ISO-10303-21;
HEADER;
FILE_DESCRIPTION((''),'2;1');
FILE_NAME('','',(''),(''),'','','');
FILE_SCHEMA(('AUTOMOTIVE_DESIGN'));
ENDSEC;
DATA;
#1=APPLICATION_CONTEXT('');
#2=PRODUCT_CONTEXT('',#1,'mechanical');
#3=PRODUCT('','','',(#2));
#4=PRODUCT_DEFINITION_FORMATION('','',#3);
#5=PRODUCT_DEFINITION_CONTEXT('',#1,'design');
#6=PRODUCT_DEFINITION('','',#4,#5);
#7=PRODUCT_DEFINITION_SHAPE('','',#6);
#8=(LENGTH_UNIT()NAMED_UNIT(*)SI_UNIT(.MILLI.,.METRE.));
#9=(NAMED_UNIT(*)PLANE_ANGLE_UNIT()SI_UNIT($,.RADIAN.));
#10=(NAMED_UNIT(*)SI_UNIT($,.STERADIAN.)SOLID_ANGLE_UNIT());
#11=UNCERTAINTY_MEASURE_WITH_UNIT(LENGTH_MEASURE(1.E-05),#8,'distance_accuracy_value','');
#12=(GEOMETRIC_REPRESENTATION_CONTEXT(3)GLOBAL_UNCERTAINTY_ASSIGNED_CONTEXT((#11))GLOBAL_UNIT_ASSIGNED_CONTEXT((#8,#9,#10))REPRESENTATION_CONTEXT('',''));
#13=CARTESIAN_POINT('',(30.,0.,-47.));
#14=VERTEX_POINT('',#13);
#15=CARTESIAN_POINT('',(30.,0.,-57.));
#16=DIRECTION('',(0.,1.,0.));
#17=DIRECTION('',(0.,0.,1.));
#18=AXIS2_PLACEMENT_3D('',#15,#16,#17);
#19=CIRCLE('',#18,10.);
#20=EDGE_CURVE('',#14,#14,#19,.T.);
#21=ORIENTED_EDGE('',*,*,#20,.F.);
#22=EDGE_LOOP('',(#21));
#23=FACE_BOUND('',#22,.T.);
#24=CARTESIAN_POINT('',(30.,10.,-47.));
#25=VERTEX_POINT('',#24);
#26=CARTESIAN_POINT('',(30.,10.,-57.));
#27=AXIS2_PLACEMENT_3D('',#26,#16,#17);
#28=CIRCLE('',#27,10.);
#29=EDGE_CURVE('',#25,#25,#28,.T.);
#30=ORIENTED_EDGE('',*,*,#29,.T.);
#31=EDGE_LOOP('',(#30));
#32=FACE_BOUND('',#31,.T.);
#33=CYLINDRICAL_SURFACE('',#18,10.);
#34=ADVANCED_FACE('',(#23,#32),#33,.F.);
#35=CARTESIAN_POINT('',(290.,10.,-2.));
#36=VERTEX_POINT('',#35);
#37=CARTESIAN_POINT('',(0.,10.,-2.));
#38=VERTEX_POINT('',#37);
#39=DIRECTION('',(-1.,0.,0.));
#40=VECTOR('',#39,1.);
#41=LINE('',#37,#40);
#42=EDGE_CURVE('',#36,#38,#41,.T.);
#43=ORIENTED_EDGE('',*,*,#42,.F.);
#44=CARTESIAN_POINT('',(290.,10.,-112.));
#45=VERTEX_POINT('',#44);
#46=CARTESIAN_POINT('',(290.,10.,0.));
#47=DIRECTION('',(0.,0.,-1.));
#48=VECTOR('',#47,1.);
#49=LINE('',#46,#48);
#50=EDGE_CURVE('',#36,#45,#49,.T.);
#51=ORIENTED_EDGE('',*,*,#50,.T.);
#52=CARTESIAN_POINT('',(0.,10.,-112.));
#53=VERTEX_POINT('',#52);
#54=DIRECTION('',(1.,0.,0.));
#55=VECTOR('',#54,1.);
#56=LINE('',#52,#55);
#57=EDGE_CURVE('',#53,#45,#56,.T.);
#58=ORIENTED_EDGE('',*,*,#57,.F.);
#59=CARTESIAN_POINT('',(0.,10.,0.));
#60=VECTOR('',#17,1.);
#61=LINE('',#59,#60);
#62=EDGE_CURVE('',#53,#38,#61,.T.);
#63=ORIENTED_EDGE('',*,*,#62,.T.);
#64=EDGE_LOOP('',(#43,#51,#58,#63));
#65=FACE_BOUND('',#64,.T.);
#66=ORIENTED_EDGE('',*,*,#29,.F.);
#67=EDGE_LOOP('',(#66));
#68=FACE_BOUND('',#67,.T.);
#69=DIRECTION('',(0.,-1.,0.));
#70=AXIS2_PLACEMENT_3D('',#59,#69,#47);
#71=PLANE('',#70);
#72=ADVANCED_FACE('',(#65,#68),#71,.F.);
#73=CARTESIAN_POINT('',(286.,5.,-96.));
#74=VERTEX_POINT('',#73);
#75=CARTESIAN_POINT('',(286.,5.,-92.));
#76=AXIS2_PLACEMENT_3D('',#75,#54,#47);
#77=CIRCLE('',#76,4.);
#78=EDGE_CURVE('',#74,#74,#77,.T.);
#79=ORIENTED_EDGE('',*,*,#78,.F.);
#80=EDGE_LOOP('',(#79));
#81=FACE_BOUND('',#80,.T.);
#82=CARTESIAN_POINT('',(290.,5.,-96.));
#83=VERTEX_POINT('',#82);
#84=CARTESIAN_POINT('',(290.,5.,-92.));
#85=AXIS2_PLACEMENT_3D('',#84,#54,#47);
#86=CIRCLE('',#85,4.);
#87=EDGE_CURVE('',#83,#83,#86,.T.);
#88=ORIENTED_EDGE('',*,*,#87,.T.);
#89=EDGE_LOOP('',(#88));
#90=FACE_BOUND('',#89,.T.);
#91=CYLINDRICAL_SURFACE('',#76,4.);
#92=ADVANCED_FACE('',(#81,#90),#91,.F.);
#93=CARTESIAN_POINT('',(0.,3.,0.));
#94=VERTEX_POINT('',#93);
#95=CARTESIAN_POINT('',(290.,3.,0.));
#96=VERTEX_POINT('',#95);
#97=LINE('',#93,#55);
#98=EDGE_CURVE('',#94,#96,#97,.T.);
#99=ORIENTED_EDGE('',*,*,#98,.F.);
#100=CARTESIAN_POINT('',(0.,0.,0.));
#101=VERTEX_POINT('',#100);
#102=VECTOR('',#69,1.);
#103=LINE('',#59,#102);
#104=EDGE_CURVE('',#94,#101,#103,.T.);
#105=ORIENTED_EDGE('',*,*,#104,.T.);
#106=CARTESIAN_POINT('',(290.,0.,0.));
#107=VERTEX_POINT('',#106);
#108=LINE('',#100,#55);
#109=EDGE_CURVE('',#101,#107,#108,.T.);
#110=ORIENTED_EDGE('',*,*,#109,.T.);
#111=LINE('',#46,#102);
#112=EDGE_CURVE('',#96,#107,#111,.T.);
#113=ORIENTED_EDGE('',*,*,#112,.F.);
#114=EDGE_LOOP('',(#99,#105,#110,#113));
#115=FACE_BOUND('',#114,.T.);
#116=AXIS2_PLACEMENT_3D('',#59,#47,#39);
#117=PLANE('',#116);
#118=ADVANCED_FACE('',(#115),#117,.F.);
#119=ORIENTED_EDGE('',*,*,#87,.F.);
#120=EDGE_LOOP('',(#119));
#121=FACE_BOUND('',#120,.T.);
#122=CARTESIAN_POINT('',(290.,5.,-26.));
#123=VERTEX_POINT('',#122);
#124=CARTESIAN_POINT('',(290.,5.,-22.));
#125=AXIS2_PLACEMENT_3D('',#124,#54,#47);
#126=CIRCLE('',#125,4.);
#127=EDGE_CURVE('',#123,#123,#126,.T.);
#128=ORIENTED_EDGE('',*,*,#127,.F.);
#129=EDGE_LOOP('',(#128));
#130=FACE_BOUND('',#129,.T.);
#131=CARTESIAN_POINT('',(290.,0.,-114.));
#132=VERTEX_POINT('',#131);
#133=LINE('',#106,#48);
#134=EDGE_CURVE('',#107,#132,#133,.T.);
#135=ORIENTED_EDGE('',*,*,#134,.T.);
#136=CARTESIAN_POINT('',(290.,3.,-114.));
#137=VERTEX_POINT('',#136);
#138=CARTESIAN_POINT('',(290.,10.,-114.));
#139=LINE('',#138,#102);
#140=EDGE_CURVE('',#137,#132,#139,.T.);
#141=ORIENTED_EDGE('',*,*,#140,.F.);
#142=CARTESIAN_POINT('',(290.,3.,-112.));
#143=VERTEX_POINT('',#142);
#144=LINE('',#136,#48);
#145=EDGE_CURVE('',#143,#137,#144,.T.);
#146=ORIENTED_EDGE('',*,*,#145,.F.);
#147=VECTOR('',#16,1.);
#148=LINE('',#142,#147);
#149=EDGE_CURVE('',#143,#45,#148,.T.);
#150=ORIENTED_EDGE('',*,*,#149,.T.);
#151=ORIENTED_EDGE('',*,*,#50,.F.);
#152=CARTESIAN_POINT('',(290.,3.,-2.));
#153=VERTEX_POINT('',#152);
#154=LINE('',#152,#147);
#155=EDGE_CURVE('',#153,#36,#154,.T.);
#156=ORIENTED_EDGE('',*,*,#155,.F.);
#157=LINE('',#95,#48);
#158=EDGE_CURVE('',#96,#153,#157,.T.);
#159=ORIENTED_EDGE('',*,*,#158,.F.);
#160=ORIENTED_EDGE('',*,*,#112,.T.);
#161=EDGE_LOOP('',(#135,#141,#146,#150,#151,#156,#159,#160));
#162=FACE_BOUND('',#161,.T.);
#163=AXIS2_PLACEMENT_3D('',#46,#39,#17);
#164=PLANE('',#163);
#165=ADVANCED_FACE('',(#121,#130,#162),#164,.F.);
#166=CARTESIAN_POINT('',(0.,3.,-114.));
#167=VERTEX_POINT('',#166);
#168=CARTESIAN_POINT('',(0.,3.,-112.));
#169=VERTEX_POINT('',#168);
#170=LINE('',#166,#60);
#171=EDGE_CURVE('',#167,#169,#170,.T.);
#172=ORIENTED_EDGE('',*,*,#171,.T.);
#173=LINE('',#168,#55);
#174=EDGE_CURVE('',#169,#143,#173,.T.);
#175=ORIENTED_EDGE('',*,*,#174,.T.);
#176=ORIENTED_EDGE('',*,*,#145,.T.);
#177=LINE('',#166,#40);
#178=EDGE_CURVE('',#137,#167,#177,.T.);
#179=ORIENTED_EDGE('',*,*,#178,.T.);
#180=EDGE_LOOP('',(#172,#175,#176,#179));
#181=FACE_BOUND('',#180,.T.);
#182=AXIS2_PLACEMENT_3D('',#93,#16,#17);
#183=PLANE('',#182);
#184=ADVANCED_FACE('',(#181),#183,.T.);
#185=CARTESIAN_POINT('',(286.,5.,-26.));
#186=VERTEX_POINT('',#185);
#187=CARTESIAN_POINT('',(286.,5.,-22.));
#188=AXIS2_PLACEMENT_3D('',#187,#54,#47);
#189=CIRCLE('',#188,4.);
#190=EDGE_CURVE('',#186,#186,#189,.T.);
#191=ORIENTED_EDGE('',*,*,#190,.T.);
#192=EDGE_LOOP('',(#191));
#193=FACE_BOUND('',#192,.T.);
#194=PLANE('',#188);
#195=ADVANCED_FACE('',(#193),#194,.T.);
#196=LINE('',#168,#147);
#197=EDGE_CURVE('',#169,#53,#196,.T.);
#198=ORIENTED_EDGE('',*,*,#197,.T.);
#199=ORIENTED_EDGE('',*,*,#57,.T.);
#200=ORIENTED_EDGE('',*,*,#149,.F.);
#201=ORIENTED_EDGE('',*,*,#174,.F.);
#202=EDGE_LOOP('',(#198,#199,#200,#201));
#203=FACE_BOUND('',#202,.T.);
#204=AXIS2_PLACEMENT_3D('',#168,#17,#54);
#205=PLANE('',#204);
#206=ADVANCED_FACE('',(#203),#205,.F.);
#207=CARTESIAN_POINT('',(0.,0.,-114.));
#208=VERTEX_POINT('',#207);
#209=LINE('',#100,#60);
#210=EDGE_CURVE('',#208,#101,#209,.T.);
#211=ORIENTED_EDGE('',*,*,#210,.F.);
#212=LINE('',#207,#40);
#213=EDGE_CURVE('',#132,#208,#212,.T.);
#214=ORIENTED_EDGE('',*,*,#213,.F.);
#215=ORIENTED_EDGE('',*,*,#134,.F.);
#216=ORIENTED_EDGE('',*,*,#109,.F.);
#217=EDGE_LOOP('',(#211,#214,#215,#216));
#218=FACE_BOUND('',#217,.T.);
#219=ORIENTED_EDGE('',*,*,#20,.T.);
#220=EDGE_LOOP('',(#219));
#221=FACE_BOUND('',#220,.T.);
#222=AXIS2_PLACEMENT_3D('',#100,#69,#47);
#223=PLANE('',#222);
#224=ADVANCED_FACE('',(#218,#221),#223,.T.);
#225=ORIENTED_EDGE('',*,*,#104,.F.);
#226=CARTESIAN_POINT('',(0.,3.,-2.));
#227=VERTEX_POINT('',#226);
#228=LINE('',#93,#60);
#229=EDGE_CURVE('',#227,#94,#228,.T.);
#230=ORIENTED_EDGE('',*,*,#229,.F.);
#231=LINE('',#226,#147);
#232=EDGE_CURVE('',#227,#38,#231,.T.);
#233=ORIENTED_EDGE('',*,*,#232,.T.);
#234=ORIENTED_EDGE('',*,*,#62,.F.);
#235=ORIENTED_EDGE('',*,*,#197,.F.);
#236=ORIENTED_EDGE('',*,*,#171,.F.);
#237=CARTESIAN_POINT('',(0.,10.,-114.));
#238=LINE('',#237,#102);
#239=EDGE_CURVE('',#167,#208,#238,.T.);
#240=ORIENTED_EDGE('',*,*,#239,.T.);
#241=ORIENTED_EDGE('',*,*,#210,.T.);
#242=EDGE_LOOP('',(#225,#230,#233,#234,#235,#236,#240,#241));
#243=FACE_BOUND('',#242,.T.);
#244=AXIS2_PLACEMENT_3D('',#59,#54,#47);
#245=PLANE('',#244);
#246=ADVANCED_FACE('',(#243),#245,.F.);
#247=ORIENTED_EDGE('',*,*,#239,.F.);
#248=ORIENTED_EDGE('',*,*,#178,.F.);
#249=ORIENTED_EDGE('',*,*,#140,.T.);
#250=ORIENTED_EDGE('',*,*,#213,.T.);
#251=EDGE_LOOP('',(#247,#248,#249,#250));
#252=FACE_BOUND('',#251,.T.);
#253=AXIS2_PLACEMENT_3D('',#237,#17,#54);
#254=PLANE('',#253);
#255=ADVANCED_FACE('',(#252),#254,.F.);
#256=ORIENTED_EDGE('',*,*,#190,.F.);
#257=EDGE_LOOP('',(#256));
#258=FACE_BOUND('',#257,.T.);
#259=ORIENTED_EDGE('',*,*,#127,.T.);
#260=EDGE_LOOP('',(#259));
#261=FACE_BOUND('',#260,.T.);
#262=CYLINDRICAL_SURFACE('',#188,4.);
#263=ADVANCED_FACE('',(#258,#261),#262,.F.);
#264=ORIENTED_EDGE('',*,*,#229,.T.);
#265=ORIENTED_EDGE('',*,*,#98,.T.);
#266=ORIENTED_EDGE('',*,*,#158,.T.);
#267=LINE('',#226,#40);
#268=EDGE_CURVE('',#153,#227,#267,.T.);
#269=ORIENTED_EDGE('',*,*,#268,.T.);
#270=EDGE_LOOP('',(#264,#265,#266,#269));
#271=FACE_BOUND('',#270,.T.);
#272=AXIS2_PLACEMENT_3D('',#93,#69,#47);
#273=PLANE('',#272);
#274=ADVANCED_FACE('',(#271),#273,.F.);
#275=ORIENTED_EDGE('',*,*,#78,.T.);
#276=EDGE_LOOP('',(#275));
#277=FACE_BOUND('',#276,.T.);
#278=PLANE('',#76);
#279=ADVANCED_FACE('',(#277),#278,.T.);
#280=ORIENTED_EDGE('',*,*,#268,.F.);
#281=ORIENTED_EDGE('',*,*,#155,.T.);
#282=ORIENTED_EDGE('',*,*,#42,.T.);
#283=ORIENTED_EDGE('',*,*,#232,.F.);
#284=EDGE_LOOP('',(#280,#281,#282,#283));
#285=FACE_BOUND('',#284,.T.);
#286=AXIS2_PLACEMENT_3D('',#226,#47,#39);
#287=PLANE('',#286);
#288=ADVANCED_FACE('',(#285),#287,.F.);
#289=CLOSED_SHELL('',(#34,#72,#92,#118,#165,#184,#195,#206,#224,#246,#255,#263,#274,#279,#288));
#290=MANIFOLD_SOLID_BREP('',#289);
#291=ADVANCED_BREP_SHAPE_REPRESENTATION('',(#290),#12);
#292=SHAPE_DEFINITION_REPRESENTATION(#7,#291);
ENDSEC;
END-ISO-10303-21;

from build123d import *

# Parameters (mm, degrees)
SKETCH1_W           = 290
SKETCH1_H           = 114
BOSS_EXTRUDE1_DEPTH = 10
SKETCH2_W           = 290
SKETCH2_H           = 2
CUT_EXTRUDE1_DEPTH  = 7
SKETCH3_R           = 4
CUT_EXTRUDE2_DEPTH  = 4
SKETCH4_R           = 10
CUT_EXTRUDE3_DEPTH  = 10


with BuildPart() as part:
    # Sketch1 → Boss-Extrude1 (new body)
    with BuildSketch(Plane(origin=(0, 0, 0), x_dir=(1, 0, 0), z_dir=(0, 1, 0))):
        with Locations((145, 57)):
            Rectangle(SKETCH1_W, SKETCH1_H)
    extrude(amount=BOSS_EXTRUDE1_DEPTH)

    # Sketch2 → Cut-Extrude1 (cut)
    with BuildSketch(Plane(origin=(0, 10, 0), x_dir=(1, 0, 0), z_dir=(0, 1, 0))):
        with Locations((145, 113)):
            Rectangle(SKETCH2_W, SKETCH2_H)
        with Locations((145, 1)):
            Rectangle(SKETCH2_W, SKETCH2_H)
    extrude(amount=-CUT_EXTRUDE1_DEPTH, mode=Mode.SUBTRACT)

    # Sketch3 → Cut-Extrude2 (cut)
    with BuildSketch(Plane(origin=(290, 0, 0), x_dir=(0, 0, -1), z_dir=(1, 0, 0))):
        with Locations((22, 5)):
            Circle(SKETCH3_R)
        with Locations((92, 5)):
            Circle(SKETCH3_R)
    extrude(amount=-CUT_EXTRUDE2_DEPTH, mode=Mode.SUBTRACT)

    # Sketch4 → Cut-Extrude3 (cut)
    with BuildSketch(Plane(origin=(0, 10, 0), x_dir=(1, 0, 0), z_dir=(0, 1, 0))):
        with Locations(Location((30, 57, 0), (0, 0, 270))):
            Circle(SKETCH4_R)
    extrude(amount=-CUT_EXTRUDE3_DEPTH, mode=Mode.SUBTRACT)


solid = part.part
